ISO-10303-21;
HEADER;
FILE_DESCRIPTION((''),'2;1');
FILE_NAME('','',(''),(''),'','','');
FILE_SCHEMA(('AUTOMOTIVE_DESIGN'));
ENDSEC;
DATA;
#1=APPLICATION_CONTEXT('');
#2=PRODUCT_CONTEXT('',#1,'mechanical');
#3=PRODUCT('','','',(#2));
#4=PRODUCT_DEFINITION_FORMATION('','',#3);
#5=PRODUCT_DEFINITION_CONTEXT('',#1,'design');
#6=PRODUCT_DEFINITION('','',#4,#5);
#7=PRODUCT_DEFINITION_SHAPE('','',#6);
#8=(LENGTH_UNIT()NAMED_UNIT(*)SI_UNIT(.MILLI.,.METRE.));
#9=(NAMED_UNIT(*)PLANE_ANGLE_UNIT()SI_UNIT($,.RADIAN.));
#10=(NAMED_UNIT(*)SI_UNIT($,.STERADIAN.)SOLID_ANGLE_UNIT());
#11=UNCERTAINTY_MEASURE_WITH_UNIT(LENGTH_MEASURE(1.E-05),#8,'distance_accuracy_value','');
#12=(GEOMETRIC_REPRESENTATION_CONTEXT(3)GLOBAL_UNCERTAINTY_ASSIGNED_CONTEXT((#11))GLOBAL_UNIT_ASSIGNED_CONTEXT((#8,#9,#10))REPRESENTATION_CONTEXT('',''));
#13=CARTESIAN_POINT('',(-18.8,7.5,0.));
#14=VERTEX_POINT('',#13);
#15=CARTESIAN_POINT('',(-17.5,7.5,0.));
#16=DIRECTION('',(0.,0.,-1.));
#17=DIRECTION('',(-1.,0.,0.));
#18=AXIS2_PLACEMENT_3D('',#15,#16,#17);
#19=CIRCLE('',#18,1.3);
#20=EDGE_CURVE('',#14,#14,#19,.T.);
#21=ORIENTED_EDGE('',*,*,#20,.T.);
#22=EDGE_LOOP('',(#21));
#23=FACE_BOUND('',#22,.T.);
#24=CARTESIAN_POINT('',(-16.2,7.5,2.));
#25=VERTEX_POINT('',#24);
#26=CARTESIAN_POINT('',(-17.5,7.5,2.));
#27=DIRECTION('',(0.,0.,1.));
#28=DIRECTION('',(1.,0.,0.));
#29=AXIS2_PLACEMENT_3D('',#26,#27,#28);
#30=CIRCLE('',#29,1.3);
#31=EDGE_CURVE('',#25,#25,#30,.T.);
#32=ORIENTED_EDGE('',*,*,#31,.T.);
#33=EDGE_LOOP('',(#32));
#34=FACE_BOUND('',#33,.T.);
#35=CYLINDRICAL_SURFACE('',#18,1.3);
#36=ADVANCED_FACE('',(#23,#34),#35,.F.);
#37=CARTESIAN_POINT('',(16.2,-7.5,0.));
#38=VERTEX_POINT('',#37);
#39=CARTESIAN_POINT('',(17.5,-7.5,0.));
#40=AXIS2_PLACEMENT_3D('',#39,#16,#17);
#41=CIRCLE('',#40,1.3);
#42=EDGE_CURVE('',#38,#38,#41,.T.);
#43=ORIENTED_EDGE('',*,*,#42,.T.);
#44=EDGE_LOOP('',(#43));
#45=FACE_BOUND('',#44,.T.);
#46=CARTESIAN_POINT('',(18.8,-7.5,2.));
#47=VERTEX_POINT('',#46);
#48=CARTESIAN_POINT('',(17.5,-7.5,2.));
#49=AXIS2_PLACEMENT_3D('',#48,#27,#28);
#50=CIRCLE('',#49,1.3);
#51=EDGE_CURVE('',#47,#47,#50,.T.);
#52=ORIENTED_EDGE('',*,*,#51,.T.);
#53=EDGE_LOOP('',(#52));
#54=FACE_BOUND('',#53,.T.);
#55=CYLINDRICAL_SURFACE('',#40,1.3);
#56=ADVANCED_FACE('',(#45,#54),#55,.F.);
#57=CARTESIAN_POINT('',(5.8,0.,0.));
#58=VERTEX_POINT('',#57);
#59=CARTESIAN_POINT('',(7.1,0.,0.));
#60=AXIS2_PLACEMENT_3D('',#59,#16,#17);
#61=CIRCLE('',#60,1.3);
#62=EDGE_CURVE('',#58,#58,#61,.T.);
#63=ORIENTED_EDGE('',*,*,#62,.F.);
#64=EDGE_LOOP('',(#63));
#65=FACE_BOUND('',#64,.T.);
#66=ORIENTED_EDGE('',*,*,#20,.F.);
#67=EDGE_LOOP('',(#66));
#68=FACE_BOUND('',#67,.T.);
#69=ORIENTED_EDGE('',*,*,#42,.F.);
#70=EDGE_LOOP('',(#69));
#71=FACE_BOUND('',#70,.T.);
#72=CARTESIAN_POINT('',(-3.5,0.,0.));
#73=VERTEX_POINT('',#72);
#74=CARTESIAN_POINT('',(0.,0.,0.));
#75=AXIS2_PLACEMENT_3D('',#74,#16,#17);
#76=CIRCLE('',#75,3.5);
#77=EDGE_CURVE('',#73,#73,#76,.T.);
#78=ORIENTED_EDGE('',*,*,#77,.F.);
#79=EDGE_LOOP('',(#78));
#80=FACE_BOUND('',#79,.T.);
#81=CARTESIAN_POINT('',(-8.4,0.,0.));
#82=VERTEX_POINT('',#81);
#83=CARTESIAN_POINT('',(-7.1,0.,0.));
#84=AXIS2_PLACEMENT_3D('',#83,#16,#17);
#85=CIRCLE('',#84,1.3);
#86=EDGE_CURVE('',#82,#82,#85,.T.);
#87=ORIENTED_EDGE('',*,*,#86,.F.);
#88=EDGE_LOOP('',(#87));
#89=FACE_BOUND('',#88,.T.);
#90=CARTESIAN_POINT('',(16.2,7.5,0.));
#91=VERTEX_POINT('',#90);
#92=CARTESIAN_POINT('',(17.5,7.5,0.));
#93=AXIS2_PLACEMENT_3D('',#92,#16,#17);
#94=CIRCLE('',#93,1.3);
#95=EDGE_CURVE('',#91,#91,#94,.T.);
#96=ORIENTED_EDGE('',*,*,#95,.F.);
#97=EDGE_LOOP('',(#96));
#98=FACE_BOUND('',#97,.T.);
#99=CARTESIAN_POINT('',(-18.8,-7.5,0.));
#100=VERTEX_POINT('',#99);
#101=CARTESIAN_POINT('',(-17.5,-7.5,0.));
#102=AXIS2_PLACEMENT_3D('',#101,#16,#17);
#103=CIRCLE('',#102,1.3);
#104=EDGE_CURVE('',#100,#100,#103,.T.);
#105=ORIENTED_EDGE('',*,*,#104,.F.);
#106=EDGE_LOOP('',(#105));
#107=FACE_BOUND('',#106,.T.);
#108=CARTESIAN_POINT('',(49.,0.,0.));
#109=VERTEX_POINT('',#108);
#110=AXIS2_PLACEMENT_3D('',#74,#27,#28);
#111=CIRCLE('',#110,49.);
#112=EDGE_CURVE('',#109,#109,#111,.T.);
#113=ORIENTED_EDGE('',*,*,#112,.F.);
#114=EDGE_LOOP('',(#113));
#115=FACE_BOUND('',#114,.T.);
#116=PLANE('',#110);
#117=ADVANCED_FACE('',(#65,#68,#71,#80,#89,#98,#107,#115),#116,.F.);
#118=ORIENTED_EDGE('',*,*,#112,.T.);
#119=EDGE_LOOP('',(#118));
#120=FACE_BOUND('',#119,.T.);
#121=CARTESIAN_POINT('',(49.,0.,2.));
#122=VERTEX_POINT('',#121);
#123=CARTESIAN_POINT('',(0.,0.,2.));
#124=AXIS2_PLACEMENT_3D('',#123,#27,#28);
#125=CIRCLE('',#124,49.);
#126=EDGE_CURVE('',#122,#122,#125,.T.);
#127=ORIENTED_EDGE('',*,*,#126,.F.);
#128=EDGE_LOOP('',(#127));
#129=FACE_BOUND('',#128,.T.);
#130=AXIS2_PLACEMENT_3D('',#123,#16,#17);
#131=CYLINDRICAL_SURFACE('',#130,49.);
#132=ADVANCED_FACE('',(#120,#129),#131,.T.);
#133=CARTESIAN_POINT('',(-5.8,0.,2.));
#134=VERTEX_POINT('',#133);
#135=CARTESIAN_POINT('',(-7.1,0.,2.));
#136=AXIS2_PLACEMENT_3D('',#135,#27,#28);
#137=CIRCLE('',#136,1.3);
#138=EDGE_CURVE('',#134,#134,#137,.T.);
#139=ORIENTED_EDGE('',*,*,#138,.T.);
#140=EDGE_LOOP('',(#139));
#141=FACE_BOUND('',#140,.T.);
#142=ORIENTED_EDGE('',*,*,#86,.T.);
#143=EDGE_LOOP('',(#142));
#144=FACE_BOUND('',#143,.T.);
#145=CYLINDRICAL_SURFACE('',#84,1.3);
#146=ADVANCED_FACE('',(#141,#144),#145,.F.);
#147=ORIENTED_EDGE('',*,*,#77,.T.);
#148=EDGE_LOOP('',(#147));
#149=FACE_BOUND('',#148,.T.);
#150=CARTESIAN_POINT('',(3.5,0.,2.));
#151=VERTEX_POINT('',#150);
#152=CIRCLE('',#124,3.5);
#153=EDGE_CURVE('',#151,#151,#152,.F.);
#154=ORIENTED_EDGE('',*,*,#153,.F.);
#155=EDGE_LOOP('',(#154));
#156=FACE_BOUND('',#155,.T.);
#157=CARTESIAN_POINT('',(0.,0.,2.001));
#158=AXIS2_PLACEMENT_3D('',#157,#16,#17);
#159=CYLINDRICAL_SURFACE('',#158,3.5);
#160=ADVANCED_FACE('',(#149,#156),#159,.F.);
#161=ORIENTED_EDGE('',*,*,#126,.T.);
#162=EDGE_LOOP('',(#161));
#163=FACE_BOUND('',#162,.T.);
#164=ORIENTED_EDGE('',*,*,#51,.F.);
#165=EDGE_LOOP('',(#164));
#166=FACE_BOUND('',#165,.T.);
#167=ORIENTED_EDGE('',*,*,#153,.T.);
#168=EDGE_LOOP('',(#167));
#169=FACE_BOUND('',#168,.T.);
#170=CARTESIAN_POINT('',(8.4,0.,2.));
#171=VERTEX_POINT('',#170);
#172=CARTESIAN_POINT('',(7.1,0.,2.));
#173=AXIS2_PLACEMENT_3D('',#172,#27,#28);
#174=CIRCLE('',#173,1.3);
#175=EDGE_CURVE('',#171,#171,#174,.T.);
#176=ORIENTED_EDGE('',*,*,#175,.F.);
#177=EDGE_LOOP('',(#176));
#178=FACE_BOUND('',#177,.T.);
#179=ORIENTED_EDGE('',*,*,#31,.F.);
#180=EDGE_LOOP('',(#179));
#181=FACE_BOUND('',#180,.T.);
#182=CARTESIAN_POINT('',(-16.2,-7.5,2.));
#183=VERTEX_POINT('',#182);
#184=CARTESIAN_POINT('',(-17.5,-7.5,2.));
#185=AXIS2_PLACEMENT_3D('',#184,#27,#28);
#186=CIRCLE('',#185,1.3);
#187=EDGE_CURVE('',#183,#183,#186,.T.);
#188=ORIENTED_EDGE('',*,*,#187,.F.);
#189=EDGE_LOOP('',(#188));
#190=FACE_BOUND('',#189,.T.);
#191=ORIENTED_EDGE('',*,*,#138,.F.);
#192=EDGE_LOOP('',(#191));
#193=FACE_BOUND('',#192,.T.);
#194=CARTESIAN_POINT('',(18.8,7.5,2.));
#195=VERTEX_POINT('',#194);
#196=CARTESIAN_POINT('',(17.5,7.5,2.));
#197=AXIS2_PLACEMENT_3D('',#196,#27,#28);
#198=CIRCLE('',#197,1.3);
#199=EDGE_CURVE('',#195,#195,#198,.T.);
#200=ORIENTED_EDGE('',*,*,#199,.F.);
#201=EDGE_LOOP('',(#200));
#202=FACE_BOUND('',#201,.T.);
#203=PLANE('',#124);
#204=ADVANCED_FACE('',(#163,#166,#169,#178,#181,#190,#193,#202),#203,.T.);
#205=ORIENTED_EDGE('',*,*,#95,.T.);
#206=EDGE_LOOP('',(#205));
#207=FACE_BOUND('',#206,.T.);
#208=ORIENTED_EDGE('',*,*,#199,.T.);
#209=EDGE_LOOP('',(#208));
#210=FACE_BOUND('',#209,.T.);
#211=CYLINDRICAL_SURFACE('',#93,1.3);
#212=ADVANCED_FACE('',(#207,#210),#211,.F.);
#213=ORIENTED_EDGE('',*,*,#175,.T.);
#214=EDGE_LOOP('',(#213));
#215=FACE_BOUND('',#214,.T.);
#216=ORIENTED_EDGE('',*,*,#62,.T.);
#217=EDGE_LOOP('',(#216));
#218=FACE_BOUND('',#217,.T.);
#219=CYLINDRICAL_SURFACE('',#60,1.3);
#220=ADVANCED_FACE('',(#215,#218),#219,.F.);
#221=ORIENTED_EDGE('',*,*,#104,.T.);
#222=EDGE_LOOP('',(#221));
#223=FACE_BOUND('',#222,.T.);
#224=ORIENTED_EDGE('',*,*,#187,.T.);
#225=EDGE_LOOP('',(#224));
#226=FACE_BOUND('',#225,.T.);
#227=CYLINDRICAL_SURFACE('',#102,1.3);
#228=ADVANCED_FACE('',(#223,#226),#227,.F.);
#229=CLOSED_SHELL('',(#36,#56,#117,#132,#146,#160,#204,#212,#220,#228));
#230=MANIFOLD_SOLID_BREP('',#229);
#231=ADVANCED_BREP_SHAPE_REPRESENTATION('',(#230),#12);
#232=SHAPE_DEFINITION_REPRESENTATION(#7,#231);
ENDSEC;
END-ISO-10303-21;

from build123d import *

# Parameters (mm, degrees)
SZKIC1_R                    = 49
DODANIE_WYCI_GNI_CIE1_DEPTH = 2
WYTNIJ_WYCI_GNI_CIE2_REACH  = 4
SZKIC4_R                    = 3.5
OTW_R_POD_RUB_M21_D         = 2.6
OTW_R_POD_RUB_M21_DEPTH     = 2
OTW_R_POD_RUB_M22_D         = 2.6
OTW_R_POD_RUB_M22_DEPTH     = 2


with BuildPart() as part:
    # Szkic1 → Dodanie-wyciągnięcie1 (new body)
    with BuildSketch(Plane.XY):
        Circle(SZKIC1_R)
    extrude(amount=DODANIE_WYCI_GNI_CIE1_DEPTH)

    # Szkic4 → Wytnij-wyciągnięcie2 (cut, up to next)
    with BuildSketch(Plane(origin=(0, 0, 0), x_dir=(-1, 0, 0), z_dir=(0, 0, -1)), mode=Mode.PRIVATE) as wytnij_wyci_gni_cie2_sk1:
        Circle(SZKIC4_R)
    wytnij_wyci_gni_cie2_tool1 = extrude(wytnij_wyci_gni_cie2_sk1.sketch, amount=-WYTNIJ_WYCI_GNI_CIE2_REACH, mode=Mode.PRIVATE) & part.part
    add(wytnij_wyci_gni_cie2_tool1.solids().sort_by_distance((0, 0, 0))[0], mode=Mode.SUBTRACT)

    # Otwór pod śrubę M21
    with Locations(Plane(origin=(-17.5, 7.5, 0), x_dir=(-1, 0, 0), z_dir=(0, 0, -1))):
        with Locations((0, 0), (0, -15), (-35, -15), (-35, 0)):
            Hole(OTW_R_POD_RUB_M21_D / 2, depth=OTW_R_POD_RUB_M21_DEPTH)

    # Otwór pod śrubę M22
    with Locations(Plane(origin=(-7.1, 0, 0), x_dir=(-1, 0, 0), z_dir=(0, 0, -1))):
        with Locations((0, 0), (-14.2, 0)):
            Hole(OTW_R_POD_RUB_M22_D / 2, depth=OTW_R_POD_RUB_M22_DEPTH)


solid = part.part
